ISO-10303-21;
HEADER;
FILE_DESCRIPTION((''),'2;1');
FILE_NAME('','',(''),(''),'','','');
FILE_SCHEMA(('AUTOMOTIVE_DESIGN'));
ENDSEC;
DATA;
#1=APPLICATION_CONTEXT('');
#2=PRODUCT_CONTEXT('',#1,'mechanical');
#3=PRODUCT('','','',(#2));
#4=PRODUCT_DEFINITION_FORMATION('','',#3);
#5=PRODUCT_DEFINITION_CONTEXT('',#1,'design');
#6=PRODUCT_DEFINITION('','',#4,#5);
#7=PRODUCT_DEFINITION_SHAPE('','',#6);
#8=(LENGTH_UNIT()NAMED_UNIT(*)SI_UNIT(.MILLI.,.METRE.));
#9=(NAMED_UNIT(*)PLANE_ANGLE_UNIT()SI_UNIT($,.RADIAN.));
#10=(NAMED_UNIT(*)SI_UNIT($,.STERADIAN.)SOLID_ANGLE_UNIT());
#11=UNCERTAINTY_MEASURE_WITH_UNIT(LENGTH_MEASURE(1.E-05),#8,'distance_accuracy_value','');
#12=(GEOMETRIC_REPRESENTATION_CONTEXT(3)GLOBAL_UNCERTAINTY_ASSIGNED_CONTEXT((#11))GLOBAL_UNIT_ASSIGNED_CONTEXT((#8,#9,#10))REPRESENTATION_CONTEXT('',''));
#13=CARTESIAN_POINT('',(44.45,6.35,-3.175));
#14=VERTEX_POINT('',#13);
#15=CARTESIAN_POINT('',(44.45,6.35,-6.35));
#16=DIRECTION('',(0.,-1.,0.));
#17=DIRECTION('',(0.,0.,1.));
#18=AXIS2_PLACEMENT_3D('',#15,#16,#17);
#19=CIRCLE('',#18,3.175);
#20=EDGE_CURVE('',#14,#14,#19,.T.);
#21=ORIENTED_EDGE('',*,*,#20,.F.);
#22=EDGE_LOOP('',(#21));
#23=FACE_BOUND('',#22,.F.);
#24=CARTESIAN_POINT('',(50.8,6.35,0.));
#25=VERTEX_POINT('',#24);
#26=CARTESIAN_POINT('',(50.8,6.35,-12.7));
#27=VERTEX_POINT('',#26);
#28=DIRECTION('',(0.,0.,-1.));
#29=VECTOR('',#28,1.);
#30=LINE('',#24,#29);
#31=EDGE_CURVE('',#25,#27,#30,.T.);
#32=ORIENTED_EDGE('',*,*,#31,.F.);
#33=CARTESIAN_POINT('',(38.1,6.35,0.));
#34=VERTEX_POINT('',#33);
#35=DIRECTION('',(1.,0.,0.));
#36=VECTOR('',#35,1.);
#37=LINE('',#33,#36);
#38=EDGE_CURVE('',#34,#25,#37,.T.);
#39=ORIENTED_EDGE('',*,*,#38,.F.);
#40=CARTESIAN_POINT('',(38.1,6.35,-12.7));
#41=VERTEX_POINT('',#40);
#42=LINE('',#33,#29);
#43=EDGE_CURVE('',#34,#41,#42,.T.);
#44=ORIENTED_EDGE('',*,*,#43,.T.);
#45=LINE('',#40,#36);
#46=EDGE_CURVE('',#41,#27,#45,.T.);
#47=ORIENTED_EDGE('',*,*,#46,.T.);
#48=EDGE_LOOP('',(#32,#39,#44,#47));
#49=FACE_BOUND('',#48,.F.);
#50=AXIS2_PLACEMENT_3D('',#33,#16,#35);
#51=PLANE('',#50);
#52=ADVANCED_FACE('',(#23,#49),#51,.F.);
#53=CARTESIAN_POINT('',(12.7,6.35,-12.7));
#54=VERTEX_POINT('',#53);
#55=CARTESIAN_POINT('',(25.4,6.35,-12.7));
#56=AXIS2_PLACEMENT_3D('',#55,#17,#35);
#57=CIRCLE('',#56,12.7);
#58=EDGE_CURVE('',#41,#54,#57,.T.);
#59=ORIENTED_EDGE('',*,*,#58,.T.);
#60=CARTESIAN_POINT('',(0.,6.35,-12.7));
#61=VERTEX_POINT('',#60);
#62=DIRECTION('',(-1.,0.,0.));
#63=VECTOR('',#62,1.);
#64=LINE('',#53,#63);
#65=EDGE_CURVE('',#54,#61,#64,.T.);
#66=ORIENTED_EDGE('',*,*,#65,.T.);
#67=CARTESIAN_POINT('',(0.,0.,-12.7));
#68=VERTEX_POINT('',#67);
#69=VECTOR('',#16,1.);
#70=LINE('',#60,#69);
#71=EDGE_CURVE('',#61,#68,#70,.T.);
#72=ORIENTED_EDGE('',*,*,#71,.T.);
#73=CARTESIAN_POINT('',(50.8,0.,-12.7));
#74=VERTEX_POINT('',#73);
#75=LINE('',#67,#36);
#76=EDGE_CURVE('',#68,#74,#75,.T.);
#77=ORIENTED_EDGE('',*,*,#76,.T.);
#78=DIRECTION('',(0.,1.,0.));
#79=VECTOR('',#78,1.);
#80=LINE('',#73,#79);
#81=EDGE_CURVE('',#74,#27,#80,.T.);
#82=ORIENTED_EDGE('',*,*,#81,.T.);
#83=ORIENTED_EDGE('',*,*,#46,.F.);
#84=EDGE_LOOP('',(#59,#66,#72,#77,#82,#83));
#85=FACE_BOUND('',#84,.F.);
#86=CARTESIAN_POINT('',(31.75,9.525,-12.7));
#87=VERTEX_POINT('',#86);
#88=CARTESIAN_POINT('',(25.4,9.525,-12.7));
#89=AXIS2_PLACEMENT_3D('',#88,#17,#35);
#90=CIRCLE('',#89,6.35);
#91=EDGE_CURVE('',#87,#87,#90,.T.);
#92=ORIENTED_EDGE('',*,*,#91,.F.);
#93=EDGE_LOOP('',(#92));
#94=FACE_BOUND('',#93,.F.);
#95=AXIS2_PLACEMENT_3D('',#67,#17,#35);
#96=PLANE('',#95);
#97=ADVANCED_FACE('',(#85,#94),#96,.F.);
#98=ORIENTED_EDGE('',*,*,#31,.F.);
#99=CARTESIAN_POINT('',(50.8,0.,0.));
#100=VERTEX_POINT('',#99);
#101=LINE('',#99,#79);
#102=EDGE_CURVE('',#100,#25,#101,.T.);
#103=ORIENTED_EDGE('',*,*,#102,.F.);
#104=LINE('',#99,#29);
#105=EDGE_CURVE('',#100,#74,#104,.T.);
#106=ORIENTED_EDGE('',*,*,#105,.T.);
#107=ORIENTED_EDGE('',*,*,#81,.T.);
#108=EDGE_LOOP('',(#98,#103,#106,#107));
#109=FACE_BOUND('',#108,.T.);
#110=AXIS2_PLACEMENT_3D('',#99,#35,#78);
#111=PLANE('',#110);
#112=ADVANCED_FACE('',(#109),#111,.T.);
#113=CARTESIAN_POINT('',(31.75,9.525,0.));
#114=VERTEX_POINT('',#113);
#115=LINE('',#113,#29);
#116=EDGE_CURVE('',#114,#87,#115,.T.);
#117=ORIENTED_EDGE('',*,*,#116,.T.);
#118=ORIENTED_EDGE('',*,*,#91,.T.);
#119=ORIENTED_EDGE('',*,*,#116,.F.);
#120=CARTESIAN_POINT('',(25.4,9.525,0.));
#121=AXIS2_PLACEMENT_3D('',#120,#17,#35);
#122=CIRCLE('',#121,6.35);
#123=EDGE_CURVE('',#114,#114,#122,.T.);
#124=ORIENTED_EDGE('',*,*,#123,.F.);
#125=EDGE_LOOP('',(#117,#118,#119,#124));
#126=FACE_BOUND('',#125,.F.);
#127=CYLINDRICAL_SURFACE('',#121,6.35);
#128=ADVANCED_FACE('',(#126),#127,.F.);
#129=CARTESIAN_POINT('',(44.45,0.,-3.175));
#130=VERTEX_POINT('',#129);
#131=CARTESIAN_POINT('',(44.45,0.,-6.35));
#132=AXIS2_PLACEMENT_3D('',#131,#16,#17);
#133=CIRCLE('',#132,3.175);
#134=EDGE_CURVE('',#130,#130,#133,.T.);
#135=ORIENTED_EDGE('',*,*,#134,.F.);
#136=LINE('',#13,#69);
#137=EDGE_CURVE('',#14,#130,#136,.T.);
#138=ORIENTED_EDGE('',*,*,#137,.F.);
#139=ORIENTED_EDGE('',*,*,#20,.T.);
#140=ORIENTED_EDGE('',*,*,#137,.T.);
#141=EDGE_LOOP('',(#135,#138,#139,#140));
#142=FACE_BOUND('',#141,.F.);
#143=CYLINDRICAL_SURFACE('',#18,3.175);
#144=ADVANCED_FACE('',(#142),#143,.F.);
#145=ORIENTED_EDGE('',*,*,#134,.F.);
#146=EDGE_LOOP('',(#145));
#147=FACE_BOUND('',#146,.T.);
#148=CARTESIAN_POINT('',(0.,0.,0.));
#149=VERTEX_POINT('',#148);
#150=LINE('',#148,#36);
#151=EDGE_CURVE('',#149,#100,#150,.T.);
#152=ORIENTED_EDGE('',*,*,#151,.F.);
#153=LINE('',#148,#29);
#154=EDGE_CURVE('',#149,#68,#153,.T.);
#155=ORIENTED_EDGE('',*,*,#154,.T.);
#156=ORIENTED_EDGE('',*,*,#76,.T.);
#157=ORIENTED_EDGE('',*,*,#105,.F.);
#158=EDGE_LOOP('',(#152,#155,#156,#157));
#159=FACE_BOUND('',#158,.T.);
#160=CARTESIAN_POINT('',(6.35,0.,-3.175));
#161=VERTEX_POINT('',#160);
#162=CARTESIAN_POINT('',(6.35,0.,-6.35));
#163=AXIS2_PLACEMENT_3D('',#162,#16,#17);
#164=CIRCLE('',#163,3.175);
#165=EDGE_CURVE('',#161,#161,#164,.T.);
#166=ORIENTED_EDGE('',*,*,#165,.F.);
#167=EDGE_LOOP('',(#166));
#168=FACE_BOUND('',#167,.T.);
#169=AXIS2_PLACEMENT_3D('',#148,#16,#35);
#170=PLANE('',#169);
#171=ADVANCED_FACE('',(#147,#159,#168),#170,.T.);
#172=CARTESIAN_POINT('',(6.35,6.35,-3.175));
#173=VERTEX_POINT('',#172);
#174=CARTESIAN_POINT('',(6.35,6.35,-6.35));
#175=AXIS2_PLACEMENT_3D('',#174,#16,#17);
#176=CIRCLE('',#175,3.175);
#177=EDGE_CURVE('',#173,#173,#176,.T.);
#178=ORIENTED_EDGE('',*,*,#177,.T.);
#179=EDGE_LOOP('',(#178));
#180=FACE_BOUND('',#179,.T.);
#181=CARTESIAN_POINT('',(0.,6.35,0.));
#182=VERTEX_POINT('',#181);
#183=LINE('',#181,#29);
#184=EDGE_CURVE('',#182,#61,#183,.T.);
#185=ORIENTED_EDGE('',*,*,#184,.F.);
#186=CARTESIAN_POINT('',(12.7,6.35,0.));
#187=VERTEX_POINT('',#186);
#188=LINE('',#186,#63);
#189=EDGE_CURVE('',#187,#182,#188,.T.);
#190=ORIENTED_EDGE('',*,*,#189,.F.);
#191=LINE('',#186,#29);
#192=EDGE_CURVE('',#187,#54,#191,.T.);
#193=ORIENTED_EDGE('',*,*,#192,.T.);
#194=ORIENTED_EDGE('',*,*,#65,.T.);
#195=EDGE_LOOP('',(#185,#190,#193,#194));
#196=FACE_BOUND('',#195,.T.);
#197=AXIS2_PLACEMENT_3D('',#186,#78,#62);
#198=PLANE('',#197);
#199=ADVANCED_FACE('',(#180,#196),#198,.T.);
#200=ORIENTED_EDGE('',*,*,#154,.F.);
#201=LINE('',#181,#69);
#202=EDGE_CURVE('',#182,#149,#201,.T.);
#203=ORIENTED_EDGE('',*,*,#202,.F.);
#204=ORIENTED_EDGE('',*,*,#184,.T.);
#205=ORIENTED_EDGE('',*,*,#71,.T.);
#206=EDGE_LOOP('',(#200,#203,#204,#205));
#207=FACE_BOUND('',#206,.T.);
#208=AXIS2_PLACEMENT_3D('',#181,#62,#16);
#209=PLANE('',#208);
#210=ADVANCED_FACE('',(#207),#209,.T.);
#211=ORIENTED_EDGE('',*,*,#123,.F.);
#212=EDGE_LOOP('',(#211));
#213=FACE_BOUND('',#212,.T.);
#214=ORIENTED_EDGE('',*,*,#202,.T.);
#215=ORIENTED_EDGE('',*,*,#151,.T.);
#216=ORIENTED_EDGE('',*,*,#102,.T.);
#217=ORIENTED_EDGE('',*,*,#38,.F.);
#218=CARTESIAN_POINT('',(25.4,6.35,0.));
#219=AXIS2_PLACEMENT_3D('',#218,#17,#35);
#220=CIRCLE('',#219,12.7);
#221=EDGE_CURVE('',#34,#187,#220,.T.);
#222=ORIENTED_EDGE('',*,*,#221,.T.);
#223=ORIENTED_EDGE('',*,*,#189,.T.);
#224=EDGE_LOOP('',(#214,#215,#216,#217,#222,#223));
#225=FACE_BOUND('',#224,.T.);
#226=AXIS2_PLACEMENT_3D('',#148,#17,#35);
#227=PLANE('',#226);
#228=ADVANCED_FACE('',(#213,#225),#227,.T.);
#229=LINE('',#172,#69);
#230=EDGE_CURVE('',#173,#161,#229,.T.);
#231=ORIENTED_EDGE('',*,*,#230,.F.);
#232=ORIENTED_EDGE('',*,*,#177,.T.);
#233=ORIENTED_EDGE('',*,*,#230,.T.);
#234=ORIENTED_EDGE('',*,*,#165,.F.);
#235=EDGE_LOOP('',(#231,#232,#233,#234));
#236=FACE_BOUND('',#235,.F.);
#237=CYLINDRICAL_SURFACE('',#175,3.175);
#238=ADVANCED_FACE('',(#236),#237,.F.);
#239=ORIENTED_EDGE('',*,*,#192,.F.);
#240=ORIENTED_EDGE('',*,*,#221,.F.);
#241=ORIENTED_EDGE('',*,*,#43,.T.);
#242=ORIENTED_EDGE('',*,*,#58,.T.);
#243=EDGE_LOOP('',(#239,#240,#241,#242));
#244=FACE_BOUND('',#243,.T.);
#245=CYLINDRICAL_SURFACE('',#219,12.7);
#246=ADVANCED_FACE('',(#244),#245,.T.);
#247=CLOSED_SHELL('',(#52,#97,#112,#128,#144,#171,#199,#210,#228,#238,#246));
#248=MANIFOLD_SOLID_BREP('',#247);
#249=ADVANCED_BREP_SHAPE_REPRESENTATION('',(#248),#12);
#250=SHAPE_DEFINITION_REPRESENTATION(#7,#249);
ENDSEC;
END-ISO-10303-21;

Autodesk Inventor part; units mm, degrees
ref_plane "YZ Plane" through (0, 0, 0) normal (1, 0, 0) x (0, 1, 0)
ref_plane "XZ Plane" through (0, 0, 0) normal (0, 1, 0) x (-1, 0, 0)
ref_plane "XY Plane" through (0, 0, 0) normal (0, 0, 1) x (1, 0, 0)
sketch "Sketch1" plane through (0, 0, 0) normal (0, 0, 1) x (1, 0, 0)
  line L0 (0, 0) -> (50.8, 0)
  line L1 (50.8, 0) -> (50.8, 6.35)
  line L2 (0, 6.35) -> (0, 0)
  arc A0 (38.1, 6.35) -> (12.7, 6.35) centre (25.4, 6.35) ccw
  line L3 (25.4, 6.35) -> (38.1, 6.35) construction
  line L4 (25.4, 6.35) -> (12.7, 6.35) construction
  line L5 (12.7, 6.35) -> (0, 6.35)
  line L6 (38.1, 6.35) -> (50.8, 6.35)
  circle A1 centre (25.4, 9.525) radius 6.35
  point P0 (25.4, 0)
  dimension "d0" = 50.8
  dimension "d2" = 12.7
  dimension "d3" = 180
  dimension "d4" = 6.35
  dimension "d5" = 12.7
  dimension "d6" = 9.525
extrude "Extrusion1" add sketch "Sketch1" against normal blind 12.7
sketch "Sketch2" plane through (0, 6.35, 0) normal (0, 1, 0) x (1, 0, 0)
  line L0 (0, 0) -> (0, 12.7) projected
  line L1 (50.8, 0) -> (50.8, 12.7) projected
  point P0 (6.35, 6.35)
  point P1 (44.45, 6.35)
  dimension "d9" = 6.35
  dimension "d10" = 6.35
hole "Hole1" at (6.35, 6.35, -6.35) at (44.45, 6.35, -6.35) direction (0, -1, 0) diameter 6.35 depth 25.4 tip angle 118
properties part number "axle bearing"
